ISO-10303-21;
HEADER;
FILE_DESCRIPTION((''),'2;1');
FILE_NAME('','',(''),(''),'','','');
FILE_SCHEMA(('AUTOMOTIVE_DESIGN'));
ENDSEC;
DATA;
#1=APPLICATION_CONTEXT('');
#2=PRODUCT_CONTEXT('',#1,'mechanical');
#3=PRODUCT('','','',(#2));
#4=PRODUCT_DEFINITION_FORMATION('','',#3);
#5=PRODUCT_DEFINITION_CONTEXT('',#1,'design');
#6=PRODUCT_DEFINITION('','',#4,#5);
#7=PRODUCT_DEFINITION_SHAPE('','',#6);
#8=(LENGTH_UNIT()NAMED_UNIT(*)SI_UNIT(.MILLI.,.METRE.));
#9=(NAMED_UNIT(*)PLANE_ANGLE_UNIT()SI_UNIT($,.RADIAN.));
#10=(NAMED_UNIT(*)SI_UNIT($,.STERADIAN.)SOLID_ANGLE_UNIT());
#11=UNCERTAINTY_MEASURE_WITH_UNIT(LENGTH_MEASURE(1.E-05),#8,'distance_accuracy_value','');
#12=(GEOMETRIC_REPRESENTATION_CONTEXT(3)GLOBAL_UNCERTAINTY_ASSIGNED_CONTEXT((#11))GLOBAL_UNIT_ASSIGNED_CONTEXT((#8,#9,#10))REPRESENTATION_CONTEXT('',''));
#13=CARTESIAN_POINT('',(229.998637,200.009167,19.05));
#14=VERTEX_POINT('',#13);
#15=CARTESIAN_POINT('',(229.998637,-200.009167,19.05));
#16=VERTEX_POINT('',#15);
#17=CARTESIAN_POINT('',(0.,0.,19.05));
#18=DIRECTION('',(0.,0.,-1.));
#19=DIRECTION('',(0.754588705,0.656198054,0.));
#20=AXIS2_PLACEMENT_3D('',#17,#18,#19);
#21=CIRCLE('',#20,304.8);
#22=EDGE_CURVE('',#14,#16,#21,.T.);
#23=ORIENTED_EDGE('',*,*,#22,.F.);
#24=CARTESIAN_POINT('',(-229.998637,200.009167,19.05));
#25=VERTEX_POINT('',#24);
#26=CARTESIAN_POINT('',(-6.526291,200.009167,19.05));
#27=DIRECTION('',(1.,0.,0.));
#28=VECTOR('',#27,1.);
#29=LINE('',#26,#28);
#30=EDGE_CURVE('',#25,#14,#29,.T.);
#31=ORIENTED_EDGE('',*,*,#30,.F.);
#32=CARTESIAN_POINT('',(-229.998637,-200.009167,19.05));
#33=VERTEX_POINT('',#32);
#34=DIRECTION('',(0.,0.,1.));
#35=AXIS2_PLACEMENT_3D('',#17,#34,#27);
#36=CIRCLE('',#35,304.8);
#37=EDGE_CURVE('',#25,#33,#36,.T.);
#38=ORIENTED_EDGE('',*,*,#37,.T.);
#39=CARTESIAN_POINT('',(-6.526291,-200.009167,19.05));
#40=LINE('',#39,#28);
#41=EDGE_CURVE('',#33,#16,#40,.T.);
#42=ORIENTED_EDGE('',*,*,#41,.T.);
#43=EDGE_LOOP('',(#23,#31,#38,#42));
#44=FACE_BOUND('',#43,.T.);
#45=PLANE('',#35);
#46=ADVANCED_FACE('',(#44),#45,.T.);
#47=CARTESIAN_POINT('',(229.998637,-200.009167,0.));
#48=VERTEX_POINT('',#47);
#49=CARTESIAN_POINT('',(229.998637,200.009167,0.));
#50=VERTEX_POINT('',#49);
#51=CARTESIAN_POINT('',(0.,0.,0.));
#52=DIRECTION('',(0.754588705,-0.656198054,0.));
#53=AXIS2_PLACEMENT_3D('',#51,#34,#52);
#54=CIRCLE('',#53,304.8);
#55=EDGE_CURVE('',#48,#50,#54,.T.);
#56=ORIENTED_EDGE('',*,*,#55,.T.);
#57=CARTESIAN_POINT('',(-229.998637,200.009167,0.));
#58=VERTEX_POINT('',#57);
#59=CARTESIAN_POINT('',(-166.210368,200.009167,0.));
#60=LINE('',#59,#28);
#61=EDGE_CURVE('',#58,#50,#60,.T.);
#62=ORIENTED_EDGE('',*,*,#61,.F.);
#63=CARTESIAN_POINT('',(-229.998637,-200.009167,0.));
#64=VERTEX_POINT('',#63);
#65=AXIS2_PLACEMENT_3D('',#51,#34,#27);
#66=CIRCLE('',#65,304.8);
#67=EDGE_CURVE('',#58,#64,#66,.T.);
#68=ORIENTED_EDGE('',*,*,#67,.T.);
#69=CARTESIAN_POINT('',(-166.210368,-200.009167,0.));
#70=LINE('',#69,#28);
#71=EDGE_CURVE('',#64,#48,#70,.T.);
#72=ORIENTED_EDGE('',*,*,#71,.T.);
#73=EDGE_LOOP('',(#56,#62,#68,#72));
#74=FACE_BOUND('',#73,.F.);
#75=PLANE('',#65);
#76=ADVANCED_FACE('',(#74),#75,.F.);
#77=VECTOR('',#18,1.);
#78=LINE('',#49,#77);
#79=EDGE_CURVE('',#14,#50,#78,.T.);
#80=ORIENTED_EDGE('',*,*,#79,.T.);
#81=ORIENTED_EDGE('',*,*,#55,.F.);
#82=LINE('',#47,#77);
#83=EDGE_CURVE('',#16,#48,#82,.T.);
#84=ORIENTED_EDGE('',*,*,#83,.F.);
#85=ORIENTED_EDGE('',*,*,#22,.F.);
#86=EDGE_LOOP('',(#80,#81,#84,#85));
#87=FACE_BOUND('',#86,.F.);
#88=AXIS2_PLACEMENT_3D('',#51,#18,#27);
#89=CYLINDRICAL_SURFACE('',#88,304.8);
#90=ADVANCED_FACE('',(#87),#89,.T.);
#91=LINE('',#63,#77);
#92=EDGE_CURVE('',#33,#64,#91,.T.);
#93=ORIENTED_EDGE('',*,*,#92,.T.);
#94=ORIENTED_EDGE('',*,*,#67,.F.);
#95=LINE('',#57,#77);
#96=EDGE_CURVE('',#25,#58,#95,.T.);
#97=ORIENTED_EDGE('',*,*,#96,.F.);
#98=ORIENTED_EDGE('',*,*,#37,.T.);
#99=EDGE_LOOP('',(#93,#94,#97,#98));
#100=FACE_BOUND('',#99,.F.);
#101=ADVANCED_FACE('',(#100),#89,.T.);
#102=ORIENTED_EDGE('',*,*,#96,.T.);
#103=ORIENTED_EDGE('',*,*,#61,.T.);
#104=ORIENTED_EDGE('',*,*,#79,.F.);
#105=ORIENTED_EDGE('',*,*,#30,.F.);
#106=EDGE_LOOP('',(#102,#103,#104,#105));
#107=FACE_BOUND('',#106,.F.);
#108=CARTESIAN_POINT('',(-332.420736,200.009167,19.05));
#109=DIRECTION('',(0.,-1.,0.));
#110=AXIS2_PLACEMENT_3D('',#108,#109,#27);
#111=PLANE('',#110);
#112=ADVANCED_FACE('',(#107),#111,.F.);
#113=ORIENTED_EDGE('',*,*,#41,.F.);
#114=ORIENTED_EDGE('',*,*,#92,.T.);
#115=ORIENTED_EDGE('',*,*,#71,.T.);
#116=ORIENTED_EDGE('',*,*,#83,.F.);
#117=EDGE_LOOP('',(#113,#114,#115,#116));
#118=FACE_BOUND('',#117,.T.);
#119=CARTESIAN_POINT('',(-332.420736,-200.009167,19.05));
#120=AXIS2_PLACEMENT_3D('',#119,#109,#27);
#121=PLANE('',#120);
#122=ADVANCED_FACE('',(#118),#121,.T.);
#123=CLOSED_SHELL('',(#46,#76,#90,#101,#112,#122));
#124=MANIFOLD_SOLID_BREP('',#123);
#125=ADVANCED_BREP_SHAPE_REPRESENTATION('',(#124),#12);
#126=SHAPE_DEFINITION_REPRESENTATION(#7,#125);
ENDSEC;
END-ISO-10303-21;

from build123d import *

# Parameters (mm, degrees)
F0_R     = 304.8
F1_DEPTH = 19.05
F4_W     = 651.788891
F4_H     = 160.561264
F5_DEPTH = 25.4


with BuildPart() as f1:
    # F0 (on Top) → F1 (new body)
    with BuildSketch(Plane.XY):
        Circle(F0_R)
    extrude(amount=F1_DEPTH)

    # F4 (on face) → F5 (cut)
    with BuildSketch(Plane.XY.offset(19.05)):
        with Locations((-6.526291, -280.289799)):
            Rectangle(F4_W, F4_H)
        with Locations((-6.526291, 280.289799)):
            Rectangle(F4_W, F4_H)
    extrude(amount=-F5_DEPTH, mode=Mode.SUBTRACT)


with BuildPart() as f2_1:
    # F2: copy of F1
    add(f1.part.moved(Location((0, 0, -515.62))))


solid = f1.part
